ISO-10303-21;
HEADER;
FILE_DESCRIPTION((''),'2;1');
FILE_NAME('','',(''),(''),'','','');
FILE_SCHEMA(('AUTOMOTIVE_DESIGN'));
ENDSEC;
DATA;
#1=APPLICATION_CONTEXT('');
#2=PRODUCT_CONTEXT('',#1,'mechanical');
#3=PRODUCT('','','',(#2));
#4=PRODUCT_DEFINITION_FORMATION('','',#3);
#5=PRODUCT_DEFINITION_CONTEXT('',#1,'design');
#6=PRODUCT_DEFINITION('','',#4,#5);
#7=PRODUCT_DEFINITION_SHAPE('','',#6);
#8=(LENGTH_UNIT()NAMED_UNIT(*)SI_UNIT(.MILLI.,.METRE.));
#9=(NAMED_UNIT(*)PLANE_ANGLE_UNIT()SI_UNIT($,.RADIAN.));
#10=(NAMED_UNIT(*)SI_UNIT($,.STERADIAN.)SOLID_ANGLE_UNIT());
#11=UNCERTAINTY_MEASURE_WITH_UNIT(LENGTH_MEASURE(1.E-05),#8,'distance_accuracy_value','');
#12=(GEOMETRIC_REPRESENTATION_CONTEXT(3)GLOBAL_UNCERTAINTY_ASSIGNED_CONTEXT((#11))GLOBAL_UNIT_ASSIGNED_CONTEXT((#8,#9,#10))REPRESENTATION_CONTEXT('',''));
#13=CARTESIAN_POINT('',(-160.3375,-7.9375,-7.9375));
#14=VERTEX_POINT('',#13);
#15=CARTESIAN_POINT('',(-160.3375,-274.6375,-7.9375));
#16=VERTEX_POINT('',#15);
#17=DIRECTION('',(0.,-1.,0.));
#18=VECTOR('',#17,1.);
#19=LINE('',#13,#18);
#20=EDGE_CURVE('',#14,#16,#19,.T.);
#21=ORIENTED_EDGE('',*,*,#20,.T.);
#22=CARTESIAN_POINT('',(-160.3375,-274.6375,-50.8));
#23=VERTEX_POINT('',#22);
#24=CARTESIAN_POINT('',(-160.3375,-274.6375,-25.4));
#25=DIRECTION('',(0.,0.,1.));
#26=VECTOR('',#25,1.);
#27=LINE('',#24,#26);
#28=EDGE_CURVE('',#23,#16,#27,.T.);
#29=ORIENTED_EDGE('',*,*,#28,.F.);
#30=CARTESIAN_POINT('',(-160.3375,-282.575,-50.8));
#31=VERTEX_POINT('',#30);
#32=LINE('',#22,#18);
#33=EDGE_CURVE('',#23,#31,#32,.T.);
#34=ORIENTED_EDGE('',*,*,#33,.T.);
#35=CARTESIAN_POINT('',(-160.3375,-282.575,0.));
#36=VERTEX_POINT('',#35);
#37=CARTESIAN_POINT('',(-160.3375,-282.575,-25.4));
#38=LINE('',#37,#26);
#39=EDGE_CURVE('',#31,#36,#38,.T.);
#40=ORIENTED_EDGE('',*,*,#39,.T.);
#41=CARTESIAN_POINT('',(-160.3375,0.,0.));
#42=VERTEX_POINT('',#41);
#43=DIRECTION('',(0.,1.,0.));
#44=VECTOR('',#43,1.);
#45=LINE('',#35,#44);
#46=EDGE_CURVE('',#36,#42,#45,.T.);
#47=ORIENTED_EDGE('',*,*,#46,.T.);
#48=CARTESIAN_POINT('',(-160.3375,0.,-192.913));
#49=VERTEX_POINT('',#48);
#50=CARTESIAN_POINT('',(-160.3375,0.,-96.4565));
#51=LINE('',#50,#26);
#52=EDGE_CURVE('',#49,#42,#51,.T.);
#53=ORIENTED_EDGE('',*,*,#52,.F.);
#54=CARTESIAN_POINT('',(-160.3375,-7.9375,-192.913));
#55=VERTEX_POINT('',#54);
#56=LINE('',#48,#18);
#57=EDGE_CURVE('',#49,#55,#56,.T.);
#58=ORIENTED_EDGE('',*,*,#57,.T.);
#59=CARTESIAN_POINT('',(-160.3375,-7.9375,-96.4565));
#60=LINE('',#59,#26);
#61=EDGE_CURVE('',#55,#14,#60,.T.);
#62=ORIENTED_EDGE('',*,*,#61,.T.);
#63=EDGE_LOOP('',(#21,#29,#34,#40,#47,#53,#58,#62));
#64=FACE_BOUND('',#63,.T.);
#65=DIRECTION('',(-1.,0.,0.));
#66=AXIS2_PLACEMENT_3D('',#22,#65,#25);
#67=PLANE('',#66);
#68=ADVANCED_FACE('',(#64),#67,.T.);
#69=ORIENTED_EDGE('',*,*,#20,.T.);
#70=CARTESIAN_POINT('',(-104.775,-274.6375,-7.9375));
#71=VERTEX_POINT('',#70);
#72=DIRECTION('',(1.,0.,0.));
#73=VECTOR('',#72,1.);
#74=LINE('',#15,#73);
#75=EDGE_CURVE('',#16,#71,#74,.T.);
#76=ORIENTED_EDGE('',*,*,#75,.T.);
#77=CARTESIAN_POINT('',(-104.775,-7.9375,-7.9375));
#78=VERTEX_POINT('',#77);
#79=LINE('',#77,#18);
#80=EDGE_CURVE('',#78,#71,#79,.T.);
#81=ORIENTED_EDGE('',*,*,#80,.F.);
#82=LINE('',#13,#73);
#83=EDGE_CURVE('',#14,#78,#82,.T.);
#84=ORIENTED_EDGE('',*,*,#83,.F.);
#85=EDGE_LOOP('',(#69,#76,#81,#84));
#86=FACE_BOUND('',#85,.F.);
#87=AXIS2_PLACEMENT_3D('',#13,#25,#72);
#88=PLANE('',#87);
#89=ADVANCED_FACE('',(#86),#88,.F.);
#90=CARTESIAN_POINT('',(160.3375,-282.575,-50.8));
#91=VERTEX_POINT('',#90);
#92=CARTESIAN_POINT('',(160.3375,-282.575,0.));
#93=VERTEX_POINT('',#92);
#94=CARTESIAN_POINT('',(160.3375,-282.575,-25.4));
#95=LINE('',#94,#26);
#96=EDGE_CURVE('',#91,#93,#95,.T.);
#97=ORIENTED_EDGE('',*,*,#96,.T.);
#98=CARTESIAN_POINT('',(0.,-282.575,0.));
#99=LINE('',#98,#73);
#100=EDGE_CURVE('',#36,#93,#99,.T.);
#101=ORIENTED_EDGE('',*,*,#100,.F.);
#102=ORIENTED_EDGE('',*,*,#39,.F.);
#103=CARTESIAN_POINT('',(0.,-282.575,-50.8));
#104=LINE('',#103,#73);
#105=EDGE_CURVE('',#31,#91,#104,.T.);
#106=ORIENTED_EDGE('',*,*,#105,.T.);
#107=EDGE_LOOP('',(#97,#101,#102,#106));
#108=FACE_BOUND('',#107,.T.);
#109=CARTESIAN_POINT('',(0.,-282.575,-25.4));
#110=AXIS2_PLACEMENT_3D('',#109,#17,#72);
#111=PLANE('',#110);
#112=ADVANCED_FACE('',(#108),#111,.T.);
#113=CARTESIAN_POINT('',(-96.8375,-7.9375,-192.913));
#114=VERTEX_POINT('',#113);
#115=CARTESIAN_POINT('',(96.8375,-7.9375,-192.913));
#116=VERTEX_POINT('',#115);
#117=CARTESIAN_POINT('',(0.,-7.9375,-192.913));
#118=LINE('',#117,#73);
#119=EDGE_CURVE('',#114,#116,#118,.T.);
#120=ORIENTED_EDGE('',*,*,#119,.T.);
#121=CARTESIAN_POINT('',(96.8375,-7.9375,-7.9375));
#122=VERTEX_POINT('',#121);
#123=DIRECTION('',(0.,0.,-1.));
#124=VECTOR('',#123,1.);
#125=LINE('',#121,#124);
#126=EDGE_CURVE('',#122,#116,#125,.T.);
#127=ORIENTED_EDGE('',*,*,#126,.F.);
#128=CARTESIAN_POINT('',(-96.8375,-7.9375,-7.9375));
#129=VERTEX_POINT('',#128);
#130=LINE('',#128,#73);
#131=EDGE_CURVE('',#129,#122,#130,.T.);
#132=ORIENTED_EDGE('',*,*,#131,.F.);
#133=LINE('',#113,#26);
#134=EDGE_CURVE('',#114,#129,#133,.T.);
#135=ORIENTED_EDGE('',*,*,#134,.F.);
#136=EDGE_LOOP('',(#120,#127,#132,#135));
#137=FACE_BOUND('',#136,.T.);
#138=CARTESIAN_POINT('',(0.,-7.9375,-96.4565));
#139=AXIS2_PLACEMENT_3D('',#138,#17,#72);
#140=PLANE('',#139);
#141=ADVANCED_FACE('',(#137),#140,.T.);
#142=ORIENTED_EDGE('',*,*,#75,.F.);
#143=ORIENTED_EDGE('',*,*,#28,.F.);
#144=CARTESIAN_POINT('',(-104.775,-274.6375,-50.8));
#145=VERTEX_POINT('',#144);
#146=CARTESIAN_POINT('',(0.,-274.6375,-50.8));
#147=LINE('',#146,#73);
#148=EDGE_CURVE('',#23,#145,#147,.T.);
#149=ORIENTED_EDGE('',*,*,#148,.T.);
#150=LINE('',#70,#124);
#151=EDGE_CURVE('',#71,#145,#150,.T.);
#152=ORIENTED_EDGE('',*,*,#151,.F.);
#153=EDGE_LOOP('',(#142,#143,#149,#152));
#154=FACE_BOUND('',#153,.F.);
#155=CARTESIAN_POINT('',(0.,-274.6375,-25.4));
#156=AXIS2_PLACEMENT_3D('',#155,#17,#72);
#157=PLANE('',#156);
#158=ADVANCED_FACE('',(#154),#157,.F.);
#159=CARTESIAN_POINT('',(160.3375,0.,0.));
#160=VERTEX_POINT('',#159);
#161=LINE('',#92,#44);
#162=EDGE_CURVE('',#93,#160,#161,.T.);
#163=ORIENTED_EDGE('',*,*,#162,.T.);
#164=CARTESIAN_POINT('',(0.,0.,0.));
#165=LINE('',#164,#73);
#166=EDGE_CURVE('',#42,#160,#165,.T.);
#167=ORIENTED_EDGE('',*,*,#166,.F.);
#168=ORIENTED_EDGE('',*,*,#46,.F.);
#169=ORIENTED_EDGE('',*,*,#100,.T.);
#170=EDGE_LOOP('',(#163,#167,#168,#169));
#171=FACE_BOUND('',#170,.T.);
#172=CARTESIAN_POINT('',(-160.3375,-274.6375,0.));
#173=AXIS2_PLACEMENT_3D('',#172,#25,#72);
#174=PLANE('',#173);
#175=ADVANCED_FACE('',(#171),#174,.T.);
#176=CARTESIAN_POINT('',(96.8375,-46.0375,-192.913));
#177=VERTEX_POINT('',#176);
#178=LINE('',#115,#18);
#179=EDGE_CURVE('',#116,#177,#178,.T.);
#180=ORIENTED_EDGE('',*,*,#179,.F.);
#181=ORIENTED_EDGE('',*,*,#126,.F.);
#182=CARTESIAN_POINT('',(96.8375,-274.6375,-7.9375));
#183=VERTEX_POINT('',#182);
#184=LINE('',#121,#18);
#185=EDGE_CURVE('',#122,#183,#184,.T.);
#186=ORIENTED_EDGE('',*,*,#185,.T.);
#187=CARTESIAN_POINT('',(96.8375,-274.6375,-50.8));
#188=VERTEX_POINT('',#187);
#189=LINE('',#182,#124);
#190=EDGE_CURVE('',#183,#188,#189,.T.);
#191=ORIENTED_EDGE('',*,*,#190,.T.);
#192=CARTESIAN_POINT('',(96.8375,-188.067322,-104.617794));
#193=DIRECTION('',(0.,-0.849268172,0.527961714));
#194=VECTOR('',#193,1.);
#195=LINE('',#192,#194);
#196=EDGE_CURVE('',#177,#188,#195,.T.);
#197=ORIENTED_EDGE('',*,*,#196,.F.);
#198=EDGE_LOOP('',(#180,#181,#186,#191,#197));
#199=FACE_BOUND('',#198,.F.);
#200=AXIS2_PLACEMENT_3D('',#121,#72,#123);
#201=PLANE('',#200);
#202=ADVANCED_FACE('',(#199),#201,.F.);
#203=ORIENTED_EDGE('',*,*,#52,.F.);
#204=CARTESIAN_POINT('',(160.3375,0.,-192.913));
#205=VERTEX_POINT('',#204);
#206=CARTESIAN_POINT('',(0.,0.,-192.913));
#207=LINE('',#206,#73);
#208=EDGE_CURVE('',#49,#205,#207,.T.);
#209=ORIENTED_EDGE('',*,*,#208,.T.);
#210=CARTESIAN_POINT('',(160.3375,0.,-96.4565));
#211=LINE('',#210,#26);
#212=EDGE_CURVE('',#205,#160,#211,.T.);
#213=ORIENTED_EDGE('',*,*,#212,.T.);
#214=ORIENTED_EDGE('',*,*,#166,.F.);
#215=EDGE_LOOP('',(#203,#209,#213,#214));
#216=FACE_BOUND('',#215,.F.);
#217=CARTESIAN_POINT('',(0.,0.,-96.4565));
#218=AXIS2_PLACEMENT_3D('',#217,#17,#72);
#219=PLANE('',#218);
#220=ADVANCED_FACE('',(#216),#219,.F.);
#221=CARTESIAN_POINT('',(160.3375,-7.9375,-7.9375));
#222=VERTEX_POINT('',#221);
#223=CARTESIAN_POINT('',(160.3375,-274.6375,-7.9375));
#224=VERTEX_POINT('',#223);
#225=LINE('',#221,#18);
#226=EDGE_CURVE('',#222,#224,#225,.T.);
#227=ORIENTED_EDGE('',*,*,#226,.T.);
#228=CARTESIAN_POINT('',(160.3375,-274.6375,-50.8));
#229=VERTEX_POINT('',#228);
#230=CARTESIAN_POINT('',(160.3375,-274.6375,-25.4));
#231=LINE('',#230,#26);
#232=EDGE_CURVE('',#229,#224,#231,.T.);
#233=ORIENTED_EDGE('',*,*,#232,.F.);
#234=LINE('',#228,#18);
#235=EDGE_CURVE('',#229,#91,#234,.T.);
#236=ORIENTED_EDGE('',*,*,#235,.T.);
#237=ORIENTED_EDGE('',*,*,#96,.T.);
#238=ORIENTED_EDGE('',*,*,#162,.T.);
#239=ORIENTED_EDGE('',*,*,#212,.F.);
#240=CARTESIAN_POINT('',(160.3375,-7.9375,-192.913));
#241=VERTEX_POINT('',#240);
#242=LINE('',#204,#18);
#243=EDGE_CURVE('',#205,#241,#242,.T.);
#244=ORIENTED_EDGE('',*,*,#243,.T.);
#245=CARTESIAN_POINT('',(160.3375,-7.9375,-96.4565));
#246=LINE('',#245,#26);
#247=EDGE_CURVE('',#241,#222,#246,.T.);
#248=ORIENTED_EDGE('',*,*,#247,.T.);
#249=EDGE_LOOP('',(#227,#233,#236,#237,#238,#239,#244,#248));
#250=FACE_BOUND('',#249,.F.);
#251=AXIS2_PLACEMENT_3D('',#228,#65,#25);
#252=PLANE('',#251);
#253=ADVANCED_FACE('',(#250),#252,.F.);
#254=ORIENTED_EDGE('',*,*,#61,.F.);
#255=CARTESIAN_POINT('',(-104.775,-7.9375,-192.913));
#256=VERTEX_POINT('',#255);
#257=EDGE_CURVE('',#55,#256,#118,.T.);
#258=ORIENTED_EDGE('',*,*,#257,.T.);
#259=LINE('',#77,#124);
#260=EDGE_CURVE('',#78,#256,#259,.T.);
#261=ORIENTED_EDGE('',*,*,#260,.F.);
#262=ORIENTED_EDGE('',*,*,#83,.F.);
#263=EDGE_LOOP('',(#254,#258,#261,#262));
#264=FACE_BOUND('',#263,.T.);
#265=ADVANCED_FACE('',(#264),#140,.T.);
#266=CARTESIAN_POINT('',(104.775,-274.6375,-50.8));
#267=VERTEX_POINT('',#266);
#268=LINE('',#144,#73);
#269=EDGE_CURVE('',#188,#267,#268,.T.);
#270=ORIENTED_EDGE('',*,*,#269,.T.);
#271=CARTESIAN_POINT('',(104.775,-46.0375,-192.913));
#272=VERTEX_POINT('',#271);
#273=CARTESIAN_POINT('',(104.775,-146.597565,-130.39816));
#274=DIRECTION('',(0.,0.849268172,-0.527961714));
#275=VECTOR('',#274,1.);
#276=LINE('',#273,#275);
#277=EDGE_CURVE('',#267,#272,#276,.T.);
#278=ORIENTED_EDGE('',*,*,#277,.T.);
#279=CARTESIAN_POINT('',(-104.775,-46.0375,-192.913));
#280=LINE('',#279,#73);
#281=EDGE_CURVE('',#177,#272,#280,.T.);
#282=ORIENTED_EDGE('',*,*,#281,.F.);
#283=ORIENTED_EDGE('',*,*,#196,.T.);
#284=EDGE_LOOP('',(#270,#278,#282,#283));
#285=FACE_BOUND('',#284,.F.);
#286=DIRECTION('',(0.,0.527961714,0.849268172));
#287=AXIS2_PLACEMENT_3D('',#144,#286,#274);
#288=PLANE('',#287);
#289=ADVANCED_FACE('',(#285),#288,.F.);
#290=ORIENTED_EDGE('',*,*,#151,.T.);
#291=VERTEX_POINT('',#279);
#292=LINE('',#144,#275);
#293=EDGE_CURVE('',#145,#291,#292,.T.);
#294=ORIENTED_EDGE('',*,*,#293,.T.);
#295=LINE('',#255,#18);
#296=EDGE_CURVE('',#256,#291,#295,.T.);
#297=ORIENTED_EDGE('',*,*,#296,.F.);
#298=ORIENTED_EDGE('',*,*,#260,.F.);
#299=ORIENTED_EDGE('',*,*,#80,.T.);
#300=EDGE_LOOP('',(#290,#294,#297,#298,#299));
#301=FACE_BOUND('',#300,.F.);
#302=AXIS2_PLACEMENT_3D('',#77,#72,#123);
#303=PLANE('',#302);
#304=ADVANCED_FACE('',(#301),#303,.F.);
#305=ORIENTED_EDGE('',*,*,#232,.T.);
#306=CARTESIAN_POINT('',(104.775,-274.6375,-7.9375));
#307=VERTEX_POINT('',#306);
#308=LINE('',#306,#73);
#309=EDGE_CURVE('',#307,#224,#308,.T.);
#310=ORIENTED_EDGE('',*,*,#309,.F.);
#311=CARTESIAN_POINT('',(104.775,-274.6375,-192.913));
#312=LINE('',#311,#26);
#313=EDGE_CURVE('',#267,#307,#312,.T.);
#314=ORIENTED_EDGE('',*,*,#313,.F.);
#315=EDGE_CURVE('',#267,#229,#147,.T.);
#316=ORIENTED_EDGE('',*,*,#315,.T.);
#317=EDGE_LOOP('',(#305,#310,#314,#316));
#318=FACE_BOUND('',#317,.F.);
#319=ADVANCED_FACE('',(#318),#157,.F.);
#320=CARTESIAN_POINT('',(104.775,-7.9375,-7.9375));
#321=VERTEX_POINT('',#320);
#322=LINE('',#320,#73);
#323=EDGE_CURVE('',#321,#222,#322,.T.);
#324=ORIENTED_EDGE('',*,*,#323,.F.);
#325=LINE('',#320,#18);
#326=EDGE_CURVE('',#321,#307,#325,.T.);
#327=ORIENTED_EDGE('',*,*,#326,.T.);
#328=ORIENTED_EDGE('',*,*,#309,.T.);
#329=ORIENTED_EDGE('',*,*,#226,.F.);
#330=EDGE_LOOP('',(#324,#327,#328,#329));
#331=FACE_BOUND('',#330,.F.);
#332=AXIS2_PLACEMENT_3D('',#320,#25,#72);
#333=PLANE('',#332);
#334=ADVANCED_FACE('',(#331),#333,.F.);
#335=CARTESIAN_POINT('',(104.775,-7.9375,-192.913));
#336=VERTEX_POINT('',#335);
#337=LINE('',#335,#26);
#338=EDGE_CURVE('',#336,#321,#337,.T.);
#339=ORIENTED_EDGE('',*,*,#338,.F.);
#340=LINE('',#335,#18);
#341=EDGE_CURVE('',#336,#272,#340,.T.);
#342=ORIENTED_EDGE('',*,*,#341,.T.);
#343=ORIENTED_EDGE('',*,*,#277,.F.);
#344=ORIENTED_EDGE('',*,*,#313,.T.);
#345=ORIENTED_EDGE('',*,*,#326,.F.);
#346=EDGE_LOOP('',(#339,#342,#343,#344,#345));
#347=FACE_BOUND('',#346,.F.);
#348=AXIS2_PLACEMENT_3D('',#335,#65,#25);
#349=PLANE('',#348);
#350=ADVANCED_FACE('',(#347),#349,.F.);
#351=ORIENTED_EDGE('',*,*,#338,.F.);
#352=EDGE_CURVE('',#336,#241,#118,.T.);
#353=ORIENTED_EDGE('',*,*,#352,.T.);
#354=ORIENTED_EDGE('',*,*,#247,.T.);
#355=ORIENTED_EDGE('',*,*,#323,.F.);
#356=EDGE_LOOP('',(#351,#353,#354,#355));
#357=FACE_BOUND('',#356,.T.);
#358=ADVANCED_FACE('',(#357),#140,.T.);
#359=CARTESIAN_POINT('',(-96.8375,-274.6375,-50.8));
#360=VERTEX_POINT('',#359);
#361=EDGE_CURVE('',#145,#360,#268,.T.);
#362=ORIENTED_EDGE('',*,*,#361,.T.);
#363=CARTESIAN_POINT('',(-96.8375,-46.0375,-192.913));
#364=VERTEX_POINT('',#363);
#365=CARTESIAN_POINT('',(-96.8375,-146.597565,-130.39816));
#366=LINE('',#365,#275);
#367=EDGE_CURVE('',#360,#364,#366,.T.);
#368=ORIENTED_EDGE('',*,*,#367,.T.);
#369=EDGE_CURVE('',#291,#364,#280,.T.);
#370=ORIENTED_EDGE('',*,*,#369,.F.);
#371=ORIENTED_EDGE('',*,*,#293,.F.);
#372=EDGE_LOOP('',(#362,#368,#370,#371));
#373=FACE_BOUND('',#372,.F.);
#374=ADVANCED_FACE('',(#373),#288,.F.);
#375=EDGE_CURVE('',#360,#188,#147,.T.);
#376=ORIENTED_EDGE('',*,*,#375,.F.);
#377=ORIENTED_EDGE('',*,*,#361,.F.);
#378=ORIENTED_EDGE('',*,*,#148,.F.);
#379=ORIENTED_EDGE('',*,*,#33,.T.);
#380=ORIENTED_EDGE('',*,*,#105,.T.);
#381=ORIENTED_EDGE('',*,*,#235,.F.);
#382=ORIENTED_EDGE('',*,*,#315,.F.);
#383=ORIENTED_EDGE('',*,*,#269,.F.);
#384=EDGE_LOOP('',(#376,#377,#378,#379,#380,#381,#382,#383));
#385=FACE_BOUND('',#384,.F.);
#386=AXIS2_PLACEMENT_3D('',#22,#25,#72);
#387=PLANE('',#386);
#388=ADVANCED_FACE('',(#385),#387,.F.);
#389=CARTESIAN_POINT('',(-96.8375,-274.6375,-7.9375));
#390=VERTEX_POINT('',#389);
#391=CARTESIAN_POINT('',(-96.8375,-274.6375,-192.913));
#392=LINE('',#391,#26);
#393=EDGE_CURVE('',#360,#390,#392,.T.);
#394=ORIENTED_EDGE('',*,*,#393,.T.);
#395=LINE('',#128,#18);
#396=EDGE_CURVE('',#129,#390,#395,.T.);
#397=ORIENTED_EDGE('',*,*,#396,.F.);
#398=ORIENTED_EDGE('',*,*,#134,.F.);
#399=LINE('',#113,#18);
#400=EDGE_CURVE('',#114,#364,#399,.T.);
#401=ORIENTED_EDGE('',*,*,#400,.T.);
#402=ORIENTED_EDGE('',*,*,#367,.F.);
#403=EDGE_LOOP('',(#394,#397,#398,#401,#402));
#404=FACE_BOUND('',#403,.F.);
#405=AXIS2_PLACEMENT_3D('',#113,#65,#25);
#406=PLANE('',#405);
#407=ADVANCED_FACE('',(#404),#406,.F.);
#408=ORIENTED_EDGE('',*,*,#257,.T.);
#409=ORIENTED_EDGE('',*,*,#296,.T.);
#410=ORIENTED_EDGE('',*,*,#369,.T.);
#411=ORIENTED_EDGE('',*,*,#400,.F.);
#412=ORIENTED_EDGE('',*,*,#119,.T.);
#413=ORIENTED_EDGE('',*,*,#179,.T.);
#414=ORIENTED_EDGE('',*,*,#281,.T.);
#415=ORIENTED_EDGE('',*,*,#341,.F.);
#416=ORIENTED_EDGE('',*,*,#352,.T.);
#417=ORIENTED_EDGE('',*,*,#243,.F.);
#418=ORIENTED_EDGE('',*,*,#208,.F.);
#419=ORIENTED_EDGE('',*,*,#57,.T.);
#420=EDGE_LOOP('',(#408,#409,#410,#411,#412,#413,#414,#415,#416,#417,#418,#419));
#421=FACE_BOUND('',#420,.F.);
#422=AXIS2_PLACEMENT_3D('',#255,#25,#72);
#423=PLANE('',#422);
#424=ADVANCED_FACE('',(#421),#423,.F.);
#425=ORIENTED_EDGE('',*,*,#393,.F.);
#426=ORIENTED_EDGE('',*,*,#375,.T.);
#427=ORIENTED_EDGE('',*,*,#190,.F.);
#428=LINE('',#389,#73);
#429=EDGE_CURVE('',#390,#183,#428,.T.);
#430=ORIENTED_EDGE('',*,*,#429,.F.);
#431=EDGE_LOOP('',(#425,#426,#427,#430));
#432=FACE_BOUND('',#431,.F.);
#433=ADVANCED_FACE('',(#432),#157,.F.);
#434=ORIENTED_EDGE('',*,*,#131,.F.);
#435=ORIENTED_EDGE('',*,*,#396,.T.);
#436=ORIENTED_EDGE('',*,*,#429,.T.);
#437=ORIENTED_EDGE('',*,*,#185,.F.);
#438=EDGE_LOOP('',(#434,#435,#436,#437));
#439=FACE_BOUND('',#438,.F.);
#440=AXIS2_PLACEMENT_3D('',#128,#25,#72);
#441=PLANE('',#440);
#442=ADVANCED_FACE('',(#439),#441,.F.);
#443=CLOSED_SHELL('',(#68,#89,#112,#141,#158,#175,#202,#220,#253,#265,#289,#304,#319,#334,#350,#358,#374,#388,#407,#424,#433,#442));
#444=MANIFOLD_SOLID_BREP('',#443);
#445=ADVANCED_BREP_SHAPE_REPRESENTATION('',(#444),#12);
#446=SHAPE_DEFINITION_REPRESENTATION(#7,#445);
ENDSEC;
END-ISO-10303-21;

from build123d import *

# Parameters (mm, degrees)
F0_W     = 320.675
F0_H     = 192.913
F1_DEPTH = 7.9375
F4_DEPTH = 266.7
F6_DEPTH = 265.1135
F8_W     = 320.675
F8_H     = 50.8
F9_DEPTH = 7.9375


with BuildPart() as f1:
    # F0 (on Front) → F1 (new body)
    with BuildSketch(Plane.XZ):
        with Locations((0, -96.4565)):
            Rectangle(F0_W, F0_H)
    extrude(amount=F1_DEPTH)

    # F3 (on face) → F4 (join)
    with BuildSketch(Plane.XZ.offset(7.9375)):
        Polygon((160.3375, 0), (-160.3375, 0), (-160.3375, -7.9375), (-104.775, -7.9375), (-104.775, -192.913), (-96.8375, -192.913), (-96.8375, -7.9375), (96.8375, -7.9375), (96.8375, -192.913), (104.775, -192.913), (104.775, -7.9375), (160.3375, -7.9375), align=None)
    extrude(amount=F4_DEPTH)

    # F5 (on face) → F6 (cut, through all)
    with BuildSketch(Plane(origin=(-104.775, 0, 0), x_dir=(0, -1, 0), z_dir=(-1, 0, 0))):
        Polygon((274.6375, -50.8), (46.0375, -192.913), (274.6375, -192.913), align=None)
    extrude(amount=-F6_DEPTH, mode=Mode.SUBTRACT)

    # F8 (on face) → F9 (join)
    with BuildSketch(Plane.XZ.offset(274.6375)):
        with Locations((0, -25.4)):
            Rectangle(F8_W, F8_H)
    extrude(amount=F9_DEPTH)


solid = f1.part
